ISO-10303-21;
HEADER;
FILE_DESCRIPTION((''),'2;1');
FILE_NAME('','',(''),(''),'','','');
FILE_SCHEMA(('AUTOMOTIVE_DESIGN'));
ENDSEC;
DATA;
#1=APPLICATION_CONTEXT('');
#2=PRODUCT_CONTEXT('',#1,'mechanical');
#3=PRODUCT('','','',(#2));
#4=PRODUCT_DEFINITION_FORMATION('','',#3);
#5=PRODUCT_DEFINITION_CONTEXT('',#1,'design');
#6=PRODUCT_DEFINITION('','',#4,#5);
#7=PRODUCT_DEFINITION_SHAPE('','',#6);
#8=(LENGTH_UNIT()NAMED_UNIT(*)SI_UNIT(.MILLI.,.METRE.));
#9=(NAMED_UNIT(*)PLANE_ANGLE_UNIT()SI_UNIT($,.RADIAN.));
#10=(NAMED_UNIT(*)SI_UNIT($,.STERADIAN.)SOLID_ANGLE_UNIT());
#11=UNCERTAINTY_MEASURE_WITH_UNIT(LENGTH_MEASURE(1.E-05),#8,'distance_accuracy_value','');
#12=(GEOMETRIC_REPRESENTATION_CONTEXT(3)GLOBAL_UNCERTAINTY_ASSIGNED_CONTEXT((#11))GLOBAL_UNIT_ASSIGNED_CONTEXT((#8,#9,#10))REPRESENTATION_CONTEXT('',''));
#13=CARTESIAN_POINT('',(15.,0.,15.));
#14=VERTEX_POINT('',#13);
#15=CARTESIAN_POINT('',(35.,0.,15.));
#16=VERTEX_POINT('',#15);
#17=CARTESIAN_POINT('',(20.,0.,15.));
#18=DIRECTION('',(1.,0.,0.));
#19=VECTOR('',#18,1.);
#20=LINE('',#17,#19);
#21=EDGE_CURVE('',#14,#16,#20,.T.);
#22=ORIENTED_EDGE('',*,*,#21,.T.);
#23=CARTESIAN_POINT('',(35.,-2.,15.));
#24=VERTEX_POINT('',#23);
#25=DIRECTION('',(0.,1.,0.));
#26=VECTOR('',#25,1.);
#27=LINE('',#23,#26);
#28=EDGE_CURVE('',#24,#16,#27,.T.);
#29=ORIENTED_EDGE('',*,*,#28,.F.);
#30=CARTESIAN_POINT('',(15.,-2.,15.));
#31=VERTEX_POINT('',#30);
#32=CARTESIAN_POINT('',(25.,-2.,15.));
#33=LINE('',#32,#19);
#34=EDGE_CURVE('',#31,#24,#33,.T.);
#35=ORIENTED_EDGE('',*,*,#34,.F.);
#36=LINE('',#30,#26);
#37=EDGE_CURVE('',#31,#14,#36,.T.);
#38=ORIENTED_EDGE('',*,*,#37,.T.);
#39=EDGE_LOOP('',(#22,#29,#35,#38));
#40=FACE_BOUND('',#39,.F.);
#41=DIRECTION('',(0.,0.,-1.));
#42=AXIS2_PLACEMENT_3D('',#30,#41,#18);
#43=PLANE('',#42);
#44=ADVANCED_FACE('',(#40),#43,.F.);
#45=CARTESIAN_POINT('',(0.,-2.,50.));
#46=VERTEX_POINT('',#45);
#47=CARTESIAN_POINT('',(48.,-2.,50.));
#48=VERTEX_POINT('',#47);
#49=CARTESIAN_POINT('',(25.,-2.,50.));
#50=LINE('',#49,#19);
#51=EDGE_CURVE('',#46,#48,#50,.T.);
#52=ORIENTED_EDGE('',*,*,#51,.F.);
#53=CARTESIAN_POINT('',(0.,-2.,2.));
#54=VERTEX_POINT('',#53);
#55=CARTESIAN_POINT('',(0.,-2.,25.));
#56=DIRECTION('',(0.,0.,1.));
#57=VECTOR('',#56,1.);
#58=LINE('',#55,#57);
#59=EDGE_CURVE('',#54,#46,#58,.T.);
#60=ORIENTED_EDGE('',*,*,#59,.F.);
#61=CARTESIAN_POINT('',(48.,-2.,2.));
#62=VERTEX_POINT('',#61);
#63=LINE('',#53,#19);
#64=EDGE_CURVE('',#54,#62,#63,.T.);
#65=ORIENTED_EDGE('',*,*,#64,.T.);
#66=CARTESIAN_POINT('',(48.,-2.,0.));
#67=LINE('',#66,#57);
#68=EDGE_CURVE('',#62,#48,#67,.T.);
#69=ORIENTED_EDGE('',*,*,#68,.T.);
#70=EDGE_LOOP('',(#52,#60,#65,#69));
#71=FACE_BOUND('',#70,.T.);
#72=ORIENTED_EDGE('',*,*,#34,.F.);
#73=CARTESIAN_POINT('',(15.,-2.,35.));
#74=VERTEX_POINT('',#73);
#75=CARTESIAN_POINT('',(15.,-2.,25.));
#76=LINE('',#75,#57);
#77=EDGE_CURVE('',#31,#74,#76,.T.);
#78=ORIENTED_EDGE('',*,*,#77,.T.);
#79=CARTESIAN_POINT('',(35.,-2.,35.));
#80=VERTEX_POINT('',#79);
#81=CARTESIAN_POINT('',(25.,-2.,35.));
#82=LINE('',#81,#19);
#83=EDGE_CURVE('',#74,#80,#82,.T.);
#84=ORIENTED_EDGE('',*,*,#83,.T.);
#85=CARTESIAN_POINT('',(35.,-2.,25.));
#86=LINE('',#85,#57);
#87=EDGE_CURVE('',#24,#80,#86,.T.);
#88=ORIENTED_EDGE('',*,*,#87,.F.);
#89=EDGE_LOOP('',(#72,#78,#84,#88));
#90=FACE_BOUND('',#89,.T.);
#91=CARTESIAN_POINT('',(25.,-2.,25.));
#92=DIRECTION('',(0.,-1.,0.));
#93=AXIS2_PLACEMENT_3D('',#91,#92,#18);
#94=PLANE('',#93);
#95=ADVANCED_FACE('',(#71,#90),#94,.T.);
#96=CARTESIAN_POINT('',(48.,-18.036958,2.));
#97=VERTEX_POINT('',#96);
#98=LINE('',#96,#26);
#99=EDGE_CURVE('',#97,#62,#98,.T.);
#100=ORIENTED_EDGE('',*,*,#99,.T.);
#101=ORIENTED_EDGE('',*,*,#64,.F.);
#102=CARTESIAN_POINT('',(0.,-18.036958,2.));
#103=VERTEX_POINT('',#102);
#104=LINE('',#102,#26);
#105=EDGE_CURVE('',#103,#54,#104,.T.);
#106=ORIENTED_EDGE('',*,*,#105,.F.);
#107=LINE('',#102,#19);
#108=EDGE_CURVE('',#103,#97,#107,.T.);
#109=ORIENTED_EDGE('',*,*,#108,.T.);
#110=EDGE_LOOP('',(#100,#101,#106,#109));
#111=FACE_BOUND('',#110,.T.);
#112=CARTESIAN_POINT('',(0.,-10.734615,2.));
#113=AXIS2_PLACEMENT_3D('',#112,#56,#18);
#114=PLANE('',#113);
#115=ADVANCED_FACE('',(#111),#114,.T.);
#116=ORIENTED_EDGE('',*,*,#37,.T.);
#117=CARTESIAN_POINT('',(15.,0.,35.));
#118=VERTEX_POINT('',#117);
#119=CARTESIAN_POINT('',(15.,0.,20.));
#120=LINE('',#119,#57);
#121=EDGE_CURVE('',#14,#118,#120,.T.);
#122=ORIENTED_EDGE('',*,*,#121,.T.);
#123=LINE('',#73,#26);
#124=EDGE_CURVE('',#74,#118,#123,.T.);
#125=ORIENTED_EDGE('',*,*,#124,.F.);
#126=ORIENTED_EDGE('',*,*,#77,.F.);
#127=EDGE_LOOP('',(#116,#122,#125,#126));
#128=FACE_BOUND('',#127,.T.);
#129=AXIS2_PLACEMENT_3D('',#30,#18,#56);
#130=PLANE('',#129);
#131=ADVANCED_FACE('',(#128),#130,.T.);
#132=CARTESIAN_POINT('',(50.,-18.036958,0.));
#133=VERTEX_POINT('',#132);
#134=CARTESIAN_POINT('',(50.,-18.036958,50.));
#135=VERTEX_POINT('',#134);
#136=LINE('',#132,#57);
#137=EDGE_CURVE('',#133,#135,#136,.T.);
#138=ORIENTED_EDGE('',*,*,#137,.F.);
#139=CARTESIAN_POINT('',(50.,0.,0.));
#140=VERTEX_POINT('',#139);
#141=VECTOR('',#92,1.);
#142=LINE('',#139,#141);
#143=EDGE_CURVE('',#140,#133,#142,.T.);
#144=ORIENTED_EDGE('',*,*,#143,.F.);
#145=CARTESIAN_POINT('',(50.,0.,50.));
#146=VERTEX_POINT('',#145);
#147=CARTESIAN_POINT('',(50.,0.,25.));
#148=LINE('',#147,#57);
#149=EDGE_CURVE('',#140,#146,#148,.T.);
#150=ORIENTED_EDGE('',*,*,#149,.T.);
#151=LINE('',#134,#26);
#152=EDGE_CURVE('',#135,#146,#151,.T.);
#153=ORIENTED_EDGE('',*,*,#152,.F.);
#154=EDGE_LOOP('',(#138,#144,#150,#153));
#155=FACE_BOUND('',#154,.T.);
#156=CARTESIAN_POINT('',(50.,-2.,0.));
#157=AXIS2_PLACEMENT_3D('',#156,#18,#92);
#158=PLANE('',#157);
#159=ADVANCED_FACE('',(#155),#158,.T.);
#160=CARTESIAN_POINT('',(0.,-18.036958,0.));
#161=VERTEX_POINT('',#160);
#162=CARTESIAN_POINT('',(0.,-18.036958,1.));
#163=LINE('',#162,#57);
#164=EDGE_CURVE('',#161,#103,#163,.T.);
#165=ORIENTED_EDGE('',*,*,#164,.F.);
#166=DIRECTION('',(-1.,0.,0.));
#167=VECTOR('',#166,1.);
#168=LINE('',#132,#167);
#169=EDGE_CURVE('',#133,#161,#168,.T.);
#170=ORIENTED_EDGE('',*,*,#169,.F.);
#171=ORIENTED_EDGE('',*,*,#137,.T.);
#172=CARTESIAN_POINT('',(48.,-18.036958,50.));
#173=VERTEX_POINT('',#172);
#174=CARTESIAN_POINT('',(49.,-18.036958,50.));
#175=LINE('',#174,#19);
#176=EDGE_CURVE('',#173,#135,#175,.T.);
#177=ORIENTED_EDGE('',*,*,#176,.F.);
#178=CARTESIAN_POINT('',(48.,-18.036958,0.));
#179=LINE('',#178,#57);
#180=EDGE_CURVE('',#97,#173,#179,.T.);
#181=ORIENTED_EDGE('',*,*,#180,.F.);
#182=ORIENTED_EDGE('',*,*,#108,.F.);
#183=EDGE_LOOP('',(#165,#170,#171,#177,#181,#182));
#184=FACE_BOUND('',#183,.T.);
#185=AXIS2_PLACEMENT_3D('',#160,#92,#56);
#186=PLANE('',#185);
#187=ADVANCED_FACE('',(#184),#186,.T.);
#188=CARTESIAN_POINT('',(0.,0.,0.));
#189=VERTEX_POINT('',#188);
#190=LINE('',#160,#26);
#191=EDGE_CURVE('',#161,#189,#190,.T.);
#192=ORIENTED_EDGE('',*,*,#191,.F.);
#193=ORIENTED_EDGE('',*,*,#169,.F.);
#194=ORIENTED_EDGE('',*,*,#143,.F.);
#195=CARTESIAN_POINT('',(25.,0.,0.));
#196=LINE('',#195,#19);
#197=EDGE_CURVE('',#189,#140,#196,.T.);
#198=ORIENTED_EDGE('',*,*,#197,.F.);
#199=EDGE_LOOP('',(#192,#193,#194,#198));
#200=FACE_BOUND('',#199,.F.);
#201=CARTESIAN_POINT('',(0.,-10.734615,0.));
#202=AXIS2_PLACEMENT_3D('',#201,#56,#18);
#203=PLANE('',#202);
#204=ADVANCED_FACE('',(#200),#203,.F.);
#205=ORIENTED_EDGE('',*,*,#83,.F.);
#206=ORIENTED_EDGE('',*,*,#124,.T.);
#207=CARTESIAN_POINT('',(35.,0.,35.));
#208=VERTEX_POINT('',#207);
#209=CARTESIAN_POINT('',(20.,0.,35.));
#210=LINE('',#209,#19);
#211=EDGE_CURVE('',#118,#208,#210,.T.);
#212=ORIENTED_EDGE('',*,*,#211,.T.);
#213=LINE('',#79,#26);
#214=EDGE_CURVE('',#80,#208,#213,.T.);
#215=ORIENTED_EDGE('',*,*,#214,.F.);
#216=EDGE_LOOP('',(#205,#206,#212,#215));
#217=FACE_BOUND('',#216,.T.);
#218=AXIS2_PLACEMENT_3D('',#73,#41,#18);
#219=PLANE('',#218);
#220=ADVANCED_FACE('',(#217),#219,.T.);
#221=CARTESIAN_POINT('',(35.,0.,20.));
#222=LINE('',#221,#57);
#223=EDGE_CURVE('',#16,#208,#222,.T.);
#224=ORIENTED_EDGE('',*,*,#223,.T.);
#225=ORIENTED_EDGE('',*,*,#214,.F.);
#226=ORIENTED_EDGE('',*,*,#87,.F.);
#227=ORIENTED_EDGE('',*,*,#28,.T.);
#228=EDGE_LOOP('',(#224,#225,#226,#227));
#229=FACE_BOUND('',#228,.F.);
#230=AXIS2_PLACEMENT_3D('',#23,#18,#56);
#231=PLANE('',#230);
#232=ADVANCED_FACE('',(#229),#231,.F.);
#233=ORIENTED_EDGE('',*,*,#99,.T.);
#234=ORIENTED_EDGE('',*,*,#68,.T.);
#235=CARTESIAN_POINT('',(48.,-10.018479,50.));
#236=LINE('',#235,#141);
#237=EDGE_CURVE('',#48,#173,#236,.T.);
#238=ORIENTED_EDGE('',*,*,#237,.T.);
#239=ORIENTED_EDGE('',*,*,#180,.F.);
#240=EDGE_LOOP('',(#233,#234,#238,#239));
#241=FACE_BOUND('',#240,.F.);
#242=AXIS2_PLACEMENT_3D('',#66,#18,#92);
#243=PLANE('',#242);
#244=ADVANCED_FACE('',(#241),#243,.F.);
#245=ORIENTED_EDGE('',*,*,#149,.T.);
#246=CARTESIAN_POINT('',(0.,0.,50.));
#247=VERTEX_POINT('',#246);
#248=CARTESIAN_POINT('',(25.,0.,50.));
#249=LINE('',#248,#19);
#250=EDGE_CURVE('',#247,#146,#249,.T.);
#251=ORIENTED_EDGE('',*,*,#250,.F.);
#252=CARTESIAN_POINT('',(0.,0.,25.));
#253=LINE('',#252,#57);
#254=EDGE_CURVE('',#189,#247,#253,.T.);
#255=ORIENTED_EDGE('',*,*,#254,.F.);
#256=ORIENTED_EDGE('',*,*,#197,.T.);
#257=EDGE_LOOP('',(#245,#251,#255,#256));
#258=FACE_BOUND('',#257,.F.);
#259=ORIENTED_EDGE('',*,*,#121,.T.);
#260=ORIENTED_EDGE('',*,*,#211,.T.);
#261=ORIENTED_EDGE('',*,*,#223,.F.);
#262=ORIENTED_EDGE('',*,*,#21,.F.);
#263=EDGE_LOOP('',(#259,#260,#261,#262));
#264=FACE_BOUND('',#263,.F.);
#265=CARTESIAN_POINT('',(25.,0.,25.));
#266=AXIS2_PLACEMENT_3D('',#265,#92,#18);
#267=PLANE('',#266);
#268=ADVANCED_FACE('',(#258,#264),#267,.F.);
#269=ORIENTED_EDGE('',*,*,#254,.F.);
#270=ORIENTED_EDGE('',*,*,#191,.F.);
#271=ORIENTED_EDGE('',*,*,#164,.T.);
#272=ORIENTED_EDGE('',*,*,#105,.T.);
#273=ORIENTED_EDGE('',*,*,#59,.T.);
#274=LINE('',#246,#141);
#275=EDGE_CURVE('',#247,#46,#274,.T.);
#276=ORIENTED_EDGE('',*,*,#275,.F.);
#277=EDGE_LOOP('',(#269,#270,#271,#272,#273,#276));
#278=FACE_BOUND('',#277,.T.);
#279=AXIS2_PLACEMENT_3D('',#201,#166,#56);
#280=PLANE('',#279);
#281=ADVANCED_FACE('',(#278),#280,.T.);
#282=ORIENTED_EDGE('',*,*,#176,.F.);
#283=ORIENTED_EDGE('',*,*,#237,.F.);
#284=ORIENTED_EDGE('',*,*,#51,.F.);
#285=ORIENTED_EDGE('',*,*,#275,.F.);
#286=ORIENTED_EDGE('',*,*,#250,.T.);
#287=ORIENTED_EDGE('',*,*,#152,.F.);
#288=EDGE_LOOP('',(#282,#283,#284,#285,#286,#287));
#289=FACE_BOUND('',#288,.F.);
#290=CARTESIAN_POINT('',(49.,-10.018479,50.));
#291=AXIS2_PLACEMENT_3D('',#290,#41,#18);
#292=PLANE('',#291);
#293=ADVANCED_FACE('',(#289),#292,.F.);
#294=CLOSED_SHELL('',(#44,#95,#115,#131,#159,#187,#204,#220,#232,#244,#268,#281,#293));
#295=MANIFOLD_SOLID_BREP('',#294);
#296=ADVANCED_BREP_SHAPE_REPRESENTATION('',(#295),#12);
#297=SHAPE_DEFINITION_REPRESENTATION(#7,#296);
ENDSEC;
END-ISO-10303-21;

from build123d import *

# Parameters (mm, degrees)
F0_W     = 50
F0_H     = 50
F2_DEPTH = 2
F3_W     = 20
F3_H     = 20
F4_DEPTH = 25
F5_W     = 2
F5_H     = 16.0369578302
F6_DEPTH = 50
F7_W     = 8.7346149244
F7_H     = 2
F8_DEPTH = 48
F9_DEPTH = 7.3023429058


with BuildPart() as f2:
    # F0 (on Front) → F2 (new body)
    with BuildSketch(Plane.XZ):
        with Locations((25, 25)):
            Rectangle(F0_W, F0_H)
    extrude(amount=F2_DEPTH)

    # F3 (on face) → F4 (cut)
    with BuildSketch(Plane.XZ.offset(2)):
        with Locations((25, 25)):
            Rectangle(F3_W, F3_H)
    extrude(amount=-F4_DEPTH, mode=Mode.SUBTRACT)

    # F5 (on face) → F6 (join, through all)
    with BuildSketch(Plane(origin=(0, 0, 0), x_dir=(1, 0, 0), z_dir=(0, 0, -1))):
        with Locations((49, 10.0184789151)):
            Rectangle(F5_W, F5_H)
    extrude(amount=-F6_DEPTH)

    # F7 (on face) → F8 (join, through all)
    with BuildSketch(Plane(origin=(0, 0, 0), x_dir=(0, -1, 0), z_dir=(-1, 0, 0))):
        with Locations((6.3673074622, 1)):
            Rectangle(F7_W, F7_H)
    extrude(amount=-F8_DEPTH)

    # F9 (add, through all): a face of the model
    f9_faces = [f2.faces().sort_by_distance(p)[0] for p in [
        (24, -10.7346149244, 1),
    ]]
    extrude(f9_faces, amount=F9_DEPTH)


solid = f2.part
